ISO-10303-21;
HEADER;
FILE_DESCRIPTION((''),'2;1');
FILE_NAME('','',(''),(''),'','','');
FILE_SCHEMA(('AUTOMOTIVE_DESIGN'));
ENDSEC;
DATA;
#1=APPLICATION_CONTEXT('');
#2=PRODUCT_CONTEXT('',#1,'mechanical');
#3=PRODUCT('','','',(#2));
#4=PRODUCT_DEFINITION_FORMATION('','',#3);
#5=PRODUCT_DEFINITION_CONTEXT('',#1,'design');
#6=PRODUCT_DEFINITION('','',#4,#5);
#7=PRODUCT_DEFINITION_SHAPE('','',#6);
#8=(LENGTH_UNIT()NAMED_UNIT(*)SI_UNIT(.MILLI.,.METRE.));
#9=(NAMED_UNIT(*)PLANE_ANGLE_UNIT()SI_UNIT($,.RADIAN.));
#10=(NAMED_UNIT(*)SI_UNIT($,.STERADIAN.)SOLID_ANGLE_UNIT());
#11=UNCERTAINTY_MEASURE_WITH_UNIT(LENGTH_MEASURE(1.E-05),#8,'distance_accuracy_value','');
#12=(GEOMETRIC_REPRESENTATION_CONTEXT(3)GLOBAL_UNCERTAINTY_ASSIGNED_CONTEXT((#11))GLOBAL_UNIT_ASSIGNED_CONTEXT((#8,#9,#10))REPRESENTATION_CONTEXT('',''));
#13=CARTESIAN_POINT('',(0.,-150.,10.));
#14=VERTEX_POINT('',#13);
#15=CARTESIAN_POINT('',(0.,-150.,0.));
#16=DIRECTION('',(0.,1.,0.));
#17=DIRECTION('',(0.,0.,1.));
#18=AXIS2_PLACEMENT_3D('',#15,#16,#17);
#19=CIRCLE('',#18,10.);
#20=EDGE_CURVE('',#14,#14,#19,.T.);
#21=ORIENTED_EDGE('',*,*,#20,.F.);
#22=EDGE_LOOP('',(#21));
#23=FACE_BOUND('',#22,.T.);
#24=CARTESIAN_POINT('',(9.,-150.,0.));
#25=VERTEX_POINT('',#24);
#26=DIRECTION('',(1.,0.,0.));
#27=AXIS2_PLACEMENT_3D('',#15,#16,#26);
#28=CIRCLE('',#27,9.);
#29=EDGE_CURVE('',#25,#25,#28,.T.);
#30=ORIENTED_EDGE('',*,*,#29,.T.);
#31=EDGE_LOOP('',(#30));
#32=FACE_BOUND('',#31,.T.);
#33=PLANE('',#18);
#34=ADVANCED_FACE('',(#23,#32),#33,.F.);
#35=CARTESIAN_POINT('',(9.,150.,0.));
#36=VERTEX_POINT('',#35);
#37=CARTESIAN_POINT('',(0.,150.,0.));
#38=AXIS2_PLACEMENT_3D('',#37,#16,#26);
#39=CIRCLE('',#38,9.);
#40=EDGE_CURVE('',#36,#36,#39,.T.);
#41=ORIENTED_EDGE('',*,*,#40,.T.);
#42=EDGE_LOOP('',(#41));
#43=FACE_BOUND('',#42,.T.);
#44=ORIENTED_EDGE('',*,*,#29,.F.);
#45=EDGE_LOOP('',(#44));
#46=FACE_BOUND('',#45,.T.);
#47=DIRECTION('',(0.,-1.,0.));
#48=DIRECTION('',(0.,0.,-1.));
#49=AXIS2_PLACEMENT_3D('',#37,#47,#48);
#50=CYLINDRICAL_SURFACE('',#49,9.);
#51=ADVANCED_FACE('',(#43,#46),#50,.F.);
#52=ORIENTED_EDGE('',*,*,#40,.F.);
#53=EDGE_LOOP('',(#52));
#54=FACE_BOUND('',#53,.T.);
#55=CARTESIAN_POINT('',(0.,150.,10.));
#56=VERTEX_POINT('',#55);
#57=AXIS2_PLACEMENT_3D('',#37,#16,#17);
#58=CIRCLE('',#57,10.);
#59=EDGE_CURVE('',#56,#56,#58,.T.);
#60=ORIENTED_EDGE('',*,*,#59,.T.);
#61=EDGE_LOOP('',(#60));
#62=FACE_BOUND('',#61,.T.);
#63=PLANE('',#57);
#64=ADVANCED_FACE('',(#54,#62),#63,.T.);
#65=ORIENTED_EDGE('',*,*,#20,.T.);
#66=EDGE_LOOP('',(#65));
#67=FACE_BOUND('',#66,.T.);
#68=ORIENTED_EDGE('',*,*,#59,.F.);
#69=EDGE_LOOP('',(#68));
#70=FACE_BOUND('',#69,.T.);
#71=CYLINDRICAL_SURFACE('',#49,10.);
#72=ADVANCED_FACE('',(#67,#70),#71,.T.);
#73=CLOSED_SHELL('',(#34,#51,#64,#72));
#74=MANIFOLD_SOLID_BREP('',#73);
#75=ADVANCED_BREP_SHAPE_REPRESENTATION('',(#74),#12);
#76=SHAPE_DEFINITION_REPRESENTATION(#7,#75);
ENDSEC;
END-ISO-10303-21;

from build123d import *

# Parameters (mm, degrees)
SKETCH_1_R   = 10
SKETCH_1_R_2 = 9
F_1MM_DEPTH  = 150


with BuildPart() as part:
    # 草图1 → 1mm (new, symmetric)
    with BuildSketch(Plane(origin=(0, 0, 0), x_dir=(1, 0, 0), z_dir=(0, 1, 0))):
        Circle(SKETCH_1_R)
        Circle(SKETCH_1_R_2, mode=Mode.SUBTRACT)
    extrude(amount=F_1MM_DEPTH, both=True)


solid = part.part
